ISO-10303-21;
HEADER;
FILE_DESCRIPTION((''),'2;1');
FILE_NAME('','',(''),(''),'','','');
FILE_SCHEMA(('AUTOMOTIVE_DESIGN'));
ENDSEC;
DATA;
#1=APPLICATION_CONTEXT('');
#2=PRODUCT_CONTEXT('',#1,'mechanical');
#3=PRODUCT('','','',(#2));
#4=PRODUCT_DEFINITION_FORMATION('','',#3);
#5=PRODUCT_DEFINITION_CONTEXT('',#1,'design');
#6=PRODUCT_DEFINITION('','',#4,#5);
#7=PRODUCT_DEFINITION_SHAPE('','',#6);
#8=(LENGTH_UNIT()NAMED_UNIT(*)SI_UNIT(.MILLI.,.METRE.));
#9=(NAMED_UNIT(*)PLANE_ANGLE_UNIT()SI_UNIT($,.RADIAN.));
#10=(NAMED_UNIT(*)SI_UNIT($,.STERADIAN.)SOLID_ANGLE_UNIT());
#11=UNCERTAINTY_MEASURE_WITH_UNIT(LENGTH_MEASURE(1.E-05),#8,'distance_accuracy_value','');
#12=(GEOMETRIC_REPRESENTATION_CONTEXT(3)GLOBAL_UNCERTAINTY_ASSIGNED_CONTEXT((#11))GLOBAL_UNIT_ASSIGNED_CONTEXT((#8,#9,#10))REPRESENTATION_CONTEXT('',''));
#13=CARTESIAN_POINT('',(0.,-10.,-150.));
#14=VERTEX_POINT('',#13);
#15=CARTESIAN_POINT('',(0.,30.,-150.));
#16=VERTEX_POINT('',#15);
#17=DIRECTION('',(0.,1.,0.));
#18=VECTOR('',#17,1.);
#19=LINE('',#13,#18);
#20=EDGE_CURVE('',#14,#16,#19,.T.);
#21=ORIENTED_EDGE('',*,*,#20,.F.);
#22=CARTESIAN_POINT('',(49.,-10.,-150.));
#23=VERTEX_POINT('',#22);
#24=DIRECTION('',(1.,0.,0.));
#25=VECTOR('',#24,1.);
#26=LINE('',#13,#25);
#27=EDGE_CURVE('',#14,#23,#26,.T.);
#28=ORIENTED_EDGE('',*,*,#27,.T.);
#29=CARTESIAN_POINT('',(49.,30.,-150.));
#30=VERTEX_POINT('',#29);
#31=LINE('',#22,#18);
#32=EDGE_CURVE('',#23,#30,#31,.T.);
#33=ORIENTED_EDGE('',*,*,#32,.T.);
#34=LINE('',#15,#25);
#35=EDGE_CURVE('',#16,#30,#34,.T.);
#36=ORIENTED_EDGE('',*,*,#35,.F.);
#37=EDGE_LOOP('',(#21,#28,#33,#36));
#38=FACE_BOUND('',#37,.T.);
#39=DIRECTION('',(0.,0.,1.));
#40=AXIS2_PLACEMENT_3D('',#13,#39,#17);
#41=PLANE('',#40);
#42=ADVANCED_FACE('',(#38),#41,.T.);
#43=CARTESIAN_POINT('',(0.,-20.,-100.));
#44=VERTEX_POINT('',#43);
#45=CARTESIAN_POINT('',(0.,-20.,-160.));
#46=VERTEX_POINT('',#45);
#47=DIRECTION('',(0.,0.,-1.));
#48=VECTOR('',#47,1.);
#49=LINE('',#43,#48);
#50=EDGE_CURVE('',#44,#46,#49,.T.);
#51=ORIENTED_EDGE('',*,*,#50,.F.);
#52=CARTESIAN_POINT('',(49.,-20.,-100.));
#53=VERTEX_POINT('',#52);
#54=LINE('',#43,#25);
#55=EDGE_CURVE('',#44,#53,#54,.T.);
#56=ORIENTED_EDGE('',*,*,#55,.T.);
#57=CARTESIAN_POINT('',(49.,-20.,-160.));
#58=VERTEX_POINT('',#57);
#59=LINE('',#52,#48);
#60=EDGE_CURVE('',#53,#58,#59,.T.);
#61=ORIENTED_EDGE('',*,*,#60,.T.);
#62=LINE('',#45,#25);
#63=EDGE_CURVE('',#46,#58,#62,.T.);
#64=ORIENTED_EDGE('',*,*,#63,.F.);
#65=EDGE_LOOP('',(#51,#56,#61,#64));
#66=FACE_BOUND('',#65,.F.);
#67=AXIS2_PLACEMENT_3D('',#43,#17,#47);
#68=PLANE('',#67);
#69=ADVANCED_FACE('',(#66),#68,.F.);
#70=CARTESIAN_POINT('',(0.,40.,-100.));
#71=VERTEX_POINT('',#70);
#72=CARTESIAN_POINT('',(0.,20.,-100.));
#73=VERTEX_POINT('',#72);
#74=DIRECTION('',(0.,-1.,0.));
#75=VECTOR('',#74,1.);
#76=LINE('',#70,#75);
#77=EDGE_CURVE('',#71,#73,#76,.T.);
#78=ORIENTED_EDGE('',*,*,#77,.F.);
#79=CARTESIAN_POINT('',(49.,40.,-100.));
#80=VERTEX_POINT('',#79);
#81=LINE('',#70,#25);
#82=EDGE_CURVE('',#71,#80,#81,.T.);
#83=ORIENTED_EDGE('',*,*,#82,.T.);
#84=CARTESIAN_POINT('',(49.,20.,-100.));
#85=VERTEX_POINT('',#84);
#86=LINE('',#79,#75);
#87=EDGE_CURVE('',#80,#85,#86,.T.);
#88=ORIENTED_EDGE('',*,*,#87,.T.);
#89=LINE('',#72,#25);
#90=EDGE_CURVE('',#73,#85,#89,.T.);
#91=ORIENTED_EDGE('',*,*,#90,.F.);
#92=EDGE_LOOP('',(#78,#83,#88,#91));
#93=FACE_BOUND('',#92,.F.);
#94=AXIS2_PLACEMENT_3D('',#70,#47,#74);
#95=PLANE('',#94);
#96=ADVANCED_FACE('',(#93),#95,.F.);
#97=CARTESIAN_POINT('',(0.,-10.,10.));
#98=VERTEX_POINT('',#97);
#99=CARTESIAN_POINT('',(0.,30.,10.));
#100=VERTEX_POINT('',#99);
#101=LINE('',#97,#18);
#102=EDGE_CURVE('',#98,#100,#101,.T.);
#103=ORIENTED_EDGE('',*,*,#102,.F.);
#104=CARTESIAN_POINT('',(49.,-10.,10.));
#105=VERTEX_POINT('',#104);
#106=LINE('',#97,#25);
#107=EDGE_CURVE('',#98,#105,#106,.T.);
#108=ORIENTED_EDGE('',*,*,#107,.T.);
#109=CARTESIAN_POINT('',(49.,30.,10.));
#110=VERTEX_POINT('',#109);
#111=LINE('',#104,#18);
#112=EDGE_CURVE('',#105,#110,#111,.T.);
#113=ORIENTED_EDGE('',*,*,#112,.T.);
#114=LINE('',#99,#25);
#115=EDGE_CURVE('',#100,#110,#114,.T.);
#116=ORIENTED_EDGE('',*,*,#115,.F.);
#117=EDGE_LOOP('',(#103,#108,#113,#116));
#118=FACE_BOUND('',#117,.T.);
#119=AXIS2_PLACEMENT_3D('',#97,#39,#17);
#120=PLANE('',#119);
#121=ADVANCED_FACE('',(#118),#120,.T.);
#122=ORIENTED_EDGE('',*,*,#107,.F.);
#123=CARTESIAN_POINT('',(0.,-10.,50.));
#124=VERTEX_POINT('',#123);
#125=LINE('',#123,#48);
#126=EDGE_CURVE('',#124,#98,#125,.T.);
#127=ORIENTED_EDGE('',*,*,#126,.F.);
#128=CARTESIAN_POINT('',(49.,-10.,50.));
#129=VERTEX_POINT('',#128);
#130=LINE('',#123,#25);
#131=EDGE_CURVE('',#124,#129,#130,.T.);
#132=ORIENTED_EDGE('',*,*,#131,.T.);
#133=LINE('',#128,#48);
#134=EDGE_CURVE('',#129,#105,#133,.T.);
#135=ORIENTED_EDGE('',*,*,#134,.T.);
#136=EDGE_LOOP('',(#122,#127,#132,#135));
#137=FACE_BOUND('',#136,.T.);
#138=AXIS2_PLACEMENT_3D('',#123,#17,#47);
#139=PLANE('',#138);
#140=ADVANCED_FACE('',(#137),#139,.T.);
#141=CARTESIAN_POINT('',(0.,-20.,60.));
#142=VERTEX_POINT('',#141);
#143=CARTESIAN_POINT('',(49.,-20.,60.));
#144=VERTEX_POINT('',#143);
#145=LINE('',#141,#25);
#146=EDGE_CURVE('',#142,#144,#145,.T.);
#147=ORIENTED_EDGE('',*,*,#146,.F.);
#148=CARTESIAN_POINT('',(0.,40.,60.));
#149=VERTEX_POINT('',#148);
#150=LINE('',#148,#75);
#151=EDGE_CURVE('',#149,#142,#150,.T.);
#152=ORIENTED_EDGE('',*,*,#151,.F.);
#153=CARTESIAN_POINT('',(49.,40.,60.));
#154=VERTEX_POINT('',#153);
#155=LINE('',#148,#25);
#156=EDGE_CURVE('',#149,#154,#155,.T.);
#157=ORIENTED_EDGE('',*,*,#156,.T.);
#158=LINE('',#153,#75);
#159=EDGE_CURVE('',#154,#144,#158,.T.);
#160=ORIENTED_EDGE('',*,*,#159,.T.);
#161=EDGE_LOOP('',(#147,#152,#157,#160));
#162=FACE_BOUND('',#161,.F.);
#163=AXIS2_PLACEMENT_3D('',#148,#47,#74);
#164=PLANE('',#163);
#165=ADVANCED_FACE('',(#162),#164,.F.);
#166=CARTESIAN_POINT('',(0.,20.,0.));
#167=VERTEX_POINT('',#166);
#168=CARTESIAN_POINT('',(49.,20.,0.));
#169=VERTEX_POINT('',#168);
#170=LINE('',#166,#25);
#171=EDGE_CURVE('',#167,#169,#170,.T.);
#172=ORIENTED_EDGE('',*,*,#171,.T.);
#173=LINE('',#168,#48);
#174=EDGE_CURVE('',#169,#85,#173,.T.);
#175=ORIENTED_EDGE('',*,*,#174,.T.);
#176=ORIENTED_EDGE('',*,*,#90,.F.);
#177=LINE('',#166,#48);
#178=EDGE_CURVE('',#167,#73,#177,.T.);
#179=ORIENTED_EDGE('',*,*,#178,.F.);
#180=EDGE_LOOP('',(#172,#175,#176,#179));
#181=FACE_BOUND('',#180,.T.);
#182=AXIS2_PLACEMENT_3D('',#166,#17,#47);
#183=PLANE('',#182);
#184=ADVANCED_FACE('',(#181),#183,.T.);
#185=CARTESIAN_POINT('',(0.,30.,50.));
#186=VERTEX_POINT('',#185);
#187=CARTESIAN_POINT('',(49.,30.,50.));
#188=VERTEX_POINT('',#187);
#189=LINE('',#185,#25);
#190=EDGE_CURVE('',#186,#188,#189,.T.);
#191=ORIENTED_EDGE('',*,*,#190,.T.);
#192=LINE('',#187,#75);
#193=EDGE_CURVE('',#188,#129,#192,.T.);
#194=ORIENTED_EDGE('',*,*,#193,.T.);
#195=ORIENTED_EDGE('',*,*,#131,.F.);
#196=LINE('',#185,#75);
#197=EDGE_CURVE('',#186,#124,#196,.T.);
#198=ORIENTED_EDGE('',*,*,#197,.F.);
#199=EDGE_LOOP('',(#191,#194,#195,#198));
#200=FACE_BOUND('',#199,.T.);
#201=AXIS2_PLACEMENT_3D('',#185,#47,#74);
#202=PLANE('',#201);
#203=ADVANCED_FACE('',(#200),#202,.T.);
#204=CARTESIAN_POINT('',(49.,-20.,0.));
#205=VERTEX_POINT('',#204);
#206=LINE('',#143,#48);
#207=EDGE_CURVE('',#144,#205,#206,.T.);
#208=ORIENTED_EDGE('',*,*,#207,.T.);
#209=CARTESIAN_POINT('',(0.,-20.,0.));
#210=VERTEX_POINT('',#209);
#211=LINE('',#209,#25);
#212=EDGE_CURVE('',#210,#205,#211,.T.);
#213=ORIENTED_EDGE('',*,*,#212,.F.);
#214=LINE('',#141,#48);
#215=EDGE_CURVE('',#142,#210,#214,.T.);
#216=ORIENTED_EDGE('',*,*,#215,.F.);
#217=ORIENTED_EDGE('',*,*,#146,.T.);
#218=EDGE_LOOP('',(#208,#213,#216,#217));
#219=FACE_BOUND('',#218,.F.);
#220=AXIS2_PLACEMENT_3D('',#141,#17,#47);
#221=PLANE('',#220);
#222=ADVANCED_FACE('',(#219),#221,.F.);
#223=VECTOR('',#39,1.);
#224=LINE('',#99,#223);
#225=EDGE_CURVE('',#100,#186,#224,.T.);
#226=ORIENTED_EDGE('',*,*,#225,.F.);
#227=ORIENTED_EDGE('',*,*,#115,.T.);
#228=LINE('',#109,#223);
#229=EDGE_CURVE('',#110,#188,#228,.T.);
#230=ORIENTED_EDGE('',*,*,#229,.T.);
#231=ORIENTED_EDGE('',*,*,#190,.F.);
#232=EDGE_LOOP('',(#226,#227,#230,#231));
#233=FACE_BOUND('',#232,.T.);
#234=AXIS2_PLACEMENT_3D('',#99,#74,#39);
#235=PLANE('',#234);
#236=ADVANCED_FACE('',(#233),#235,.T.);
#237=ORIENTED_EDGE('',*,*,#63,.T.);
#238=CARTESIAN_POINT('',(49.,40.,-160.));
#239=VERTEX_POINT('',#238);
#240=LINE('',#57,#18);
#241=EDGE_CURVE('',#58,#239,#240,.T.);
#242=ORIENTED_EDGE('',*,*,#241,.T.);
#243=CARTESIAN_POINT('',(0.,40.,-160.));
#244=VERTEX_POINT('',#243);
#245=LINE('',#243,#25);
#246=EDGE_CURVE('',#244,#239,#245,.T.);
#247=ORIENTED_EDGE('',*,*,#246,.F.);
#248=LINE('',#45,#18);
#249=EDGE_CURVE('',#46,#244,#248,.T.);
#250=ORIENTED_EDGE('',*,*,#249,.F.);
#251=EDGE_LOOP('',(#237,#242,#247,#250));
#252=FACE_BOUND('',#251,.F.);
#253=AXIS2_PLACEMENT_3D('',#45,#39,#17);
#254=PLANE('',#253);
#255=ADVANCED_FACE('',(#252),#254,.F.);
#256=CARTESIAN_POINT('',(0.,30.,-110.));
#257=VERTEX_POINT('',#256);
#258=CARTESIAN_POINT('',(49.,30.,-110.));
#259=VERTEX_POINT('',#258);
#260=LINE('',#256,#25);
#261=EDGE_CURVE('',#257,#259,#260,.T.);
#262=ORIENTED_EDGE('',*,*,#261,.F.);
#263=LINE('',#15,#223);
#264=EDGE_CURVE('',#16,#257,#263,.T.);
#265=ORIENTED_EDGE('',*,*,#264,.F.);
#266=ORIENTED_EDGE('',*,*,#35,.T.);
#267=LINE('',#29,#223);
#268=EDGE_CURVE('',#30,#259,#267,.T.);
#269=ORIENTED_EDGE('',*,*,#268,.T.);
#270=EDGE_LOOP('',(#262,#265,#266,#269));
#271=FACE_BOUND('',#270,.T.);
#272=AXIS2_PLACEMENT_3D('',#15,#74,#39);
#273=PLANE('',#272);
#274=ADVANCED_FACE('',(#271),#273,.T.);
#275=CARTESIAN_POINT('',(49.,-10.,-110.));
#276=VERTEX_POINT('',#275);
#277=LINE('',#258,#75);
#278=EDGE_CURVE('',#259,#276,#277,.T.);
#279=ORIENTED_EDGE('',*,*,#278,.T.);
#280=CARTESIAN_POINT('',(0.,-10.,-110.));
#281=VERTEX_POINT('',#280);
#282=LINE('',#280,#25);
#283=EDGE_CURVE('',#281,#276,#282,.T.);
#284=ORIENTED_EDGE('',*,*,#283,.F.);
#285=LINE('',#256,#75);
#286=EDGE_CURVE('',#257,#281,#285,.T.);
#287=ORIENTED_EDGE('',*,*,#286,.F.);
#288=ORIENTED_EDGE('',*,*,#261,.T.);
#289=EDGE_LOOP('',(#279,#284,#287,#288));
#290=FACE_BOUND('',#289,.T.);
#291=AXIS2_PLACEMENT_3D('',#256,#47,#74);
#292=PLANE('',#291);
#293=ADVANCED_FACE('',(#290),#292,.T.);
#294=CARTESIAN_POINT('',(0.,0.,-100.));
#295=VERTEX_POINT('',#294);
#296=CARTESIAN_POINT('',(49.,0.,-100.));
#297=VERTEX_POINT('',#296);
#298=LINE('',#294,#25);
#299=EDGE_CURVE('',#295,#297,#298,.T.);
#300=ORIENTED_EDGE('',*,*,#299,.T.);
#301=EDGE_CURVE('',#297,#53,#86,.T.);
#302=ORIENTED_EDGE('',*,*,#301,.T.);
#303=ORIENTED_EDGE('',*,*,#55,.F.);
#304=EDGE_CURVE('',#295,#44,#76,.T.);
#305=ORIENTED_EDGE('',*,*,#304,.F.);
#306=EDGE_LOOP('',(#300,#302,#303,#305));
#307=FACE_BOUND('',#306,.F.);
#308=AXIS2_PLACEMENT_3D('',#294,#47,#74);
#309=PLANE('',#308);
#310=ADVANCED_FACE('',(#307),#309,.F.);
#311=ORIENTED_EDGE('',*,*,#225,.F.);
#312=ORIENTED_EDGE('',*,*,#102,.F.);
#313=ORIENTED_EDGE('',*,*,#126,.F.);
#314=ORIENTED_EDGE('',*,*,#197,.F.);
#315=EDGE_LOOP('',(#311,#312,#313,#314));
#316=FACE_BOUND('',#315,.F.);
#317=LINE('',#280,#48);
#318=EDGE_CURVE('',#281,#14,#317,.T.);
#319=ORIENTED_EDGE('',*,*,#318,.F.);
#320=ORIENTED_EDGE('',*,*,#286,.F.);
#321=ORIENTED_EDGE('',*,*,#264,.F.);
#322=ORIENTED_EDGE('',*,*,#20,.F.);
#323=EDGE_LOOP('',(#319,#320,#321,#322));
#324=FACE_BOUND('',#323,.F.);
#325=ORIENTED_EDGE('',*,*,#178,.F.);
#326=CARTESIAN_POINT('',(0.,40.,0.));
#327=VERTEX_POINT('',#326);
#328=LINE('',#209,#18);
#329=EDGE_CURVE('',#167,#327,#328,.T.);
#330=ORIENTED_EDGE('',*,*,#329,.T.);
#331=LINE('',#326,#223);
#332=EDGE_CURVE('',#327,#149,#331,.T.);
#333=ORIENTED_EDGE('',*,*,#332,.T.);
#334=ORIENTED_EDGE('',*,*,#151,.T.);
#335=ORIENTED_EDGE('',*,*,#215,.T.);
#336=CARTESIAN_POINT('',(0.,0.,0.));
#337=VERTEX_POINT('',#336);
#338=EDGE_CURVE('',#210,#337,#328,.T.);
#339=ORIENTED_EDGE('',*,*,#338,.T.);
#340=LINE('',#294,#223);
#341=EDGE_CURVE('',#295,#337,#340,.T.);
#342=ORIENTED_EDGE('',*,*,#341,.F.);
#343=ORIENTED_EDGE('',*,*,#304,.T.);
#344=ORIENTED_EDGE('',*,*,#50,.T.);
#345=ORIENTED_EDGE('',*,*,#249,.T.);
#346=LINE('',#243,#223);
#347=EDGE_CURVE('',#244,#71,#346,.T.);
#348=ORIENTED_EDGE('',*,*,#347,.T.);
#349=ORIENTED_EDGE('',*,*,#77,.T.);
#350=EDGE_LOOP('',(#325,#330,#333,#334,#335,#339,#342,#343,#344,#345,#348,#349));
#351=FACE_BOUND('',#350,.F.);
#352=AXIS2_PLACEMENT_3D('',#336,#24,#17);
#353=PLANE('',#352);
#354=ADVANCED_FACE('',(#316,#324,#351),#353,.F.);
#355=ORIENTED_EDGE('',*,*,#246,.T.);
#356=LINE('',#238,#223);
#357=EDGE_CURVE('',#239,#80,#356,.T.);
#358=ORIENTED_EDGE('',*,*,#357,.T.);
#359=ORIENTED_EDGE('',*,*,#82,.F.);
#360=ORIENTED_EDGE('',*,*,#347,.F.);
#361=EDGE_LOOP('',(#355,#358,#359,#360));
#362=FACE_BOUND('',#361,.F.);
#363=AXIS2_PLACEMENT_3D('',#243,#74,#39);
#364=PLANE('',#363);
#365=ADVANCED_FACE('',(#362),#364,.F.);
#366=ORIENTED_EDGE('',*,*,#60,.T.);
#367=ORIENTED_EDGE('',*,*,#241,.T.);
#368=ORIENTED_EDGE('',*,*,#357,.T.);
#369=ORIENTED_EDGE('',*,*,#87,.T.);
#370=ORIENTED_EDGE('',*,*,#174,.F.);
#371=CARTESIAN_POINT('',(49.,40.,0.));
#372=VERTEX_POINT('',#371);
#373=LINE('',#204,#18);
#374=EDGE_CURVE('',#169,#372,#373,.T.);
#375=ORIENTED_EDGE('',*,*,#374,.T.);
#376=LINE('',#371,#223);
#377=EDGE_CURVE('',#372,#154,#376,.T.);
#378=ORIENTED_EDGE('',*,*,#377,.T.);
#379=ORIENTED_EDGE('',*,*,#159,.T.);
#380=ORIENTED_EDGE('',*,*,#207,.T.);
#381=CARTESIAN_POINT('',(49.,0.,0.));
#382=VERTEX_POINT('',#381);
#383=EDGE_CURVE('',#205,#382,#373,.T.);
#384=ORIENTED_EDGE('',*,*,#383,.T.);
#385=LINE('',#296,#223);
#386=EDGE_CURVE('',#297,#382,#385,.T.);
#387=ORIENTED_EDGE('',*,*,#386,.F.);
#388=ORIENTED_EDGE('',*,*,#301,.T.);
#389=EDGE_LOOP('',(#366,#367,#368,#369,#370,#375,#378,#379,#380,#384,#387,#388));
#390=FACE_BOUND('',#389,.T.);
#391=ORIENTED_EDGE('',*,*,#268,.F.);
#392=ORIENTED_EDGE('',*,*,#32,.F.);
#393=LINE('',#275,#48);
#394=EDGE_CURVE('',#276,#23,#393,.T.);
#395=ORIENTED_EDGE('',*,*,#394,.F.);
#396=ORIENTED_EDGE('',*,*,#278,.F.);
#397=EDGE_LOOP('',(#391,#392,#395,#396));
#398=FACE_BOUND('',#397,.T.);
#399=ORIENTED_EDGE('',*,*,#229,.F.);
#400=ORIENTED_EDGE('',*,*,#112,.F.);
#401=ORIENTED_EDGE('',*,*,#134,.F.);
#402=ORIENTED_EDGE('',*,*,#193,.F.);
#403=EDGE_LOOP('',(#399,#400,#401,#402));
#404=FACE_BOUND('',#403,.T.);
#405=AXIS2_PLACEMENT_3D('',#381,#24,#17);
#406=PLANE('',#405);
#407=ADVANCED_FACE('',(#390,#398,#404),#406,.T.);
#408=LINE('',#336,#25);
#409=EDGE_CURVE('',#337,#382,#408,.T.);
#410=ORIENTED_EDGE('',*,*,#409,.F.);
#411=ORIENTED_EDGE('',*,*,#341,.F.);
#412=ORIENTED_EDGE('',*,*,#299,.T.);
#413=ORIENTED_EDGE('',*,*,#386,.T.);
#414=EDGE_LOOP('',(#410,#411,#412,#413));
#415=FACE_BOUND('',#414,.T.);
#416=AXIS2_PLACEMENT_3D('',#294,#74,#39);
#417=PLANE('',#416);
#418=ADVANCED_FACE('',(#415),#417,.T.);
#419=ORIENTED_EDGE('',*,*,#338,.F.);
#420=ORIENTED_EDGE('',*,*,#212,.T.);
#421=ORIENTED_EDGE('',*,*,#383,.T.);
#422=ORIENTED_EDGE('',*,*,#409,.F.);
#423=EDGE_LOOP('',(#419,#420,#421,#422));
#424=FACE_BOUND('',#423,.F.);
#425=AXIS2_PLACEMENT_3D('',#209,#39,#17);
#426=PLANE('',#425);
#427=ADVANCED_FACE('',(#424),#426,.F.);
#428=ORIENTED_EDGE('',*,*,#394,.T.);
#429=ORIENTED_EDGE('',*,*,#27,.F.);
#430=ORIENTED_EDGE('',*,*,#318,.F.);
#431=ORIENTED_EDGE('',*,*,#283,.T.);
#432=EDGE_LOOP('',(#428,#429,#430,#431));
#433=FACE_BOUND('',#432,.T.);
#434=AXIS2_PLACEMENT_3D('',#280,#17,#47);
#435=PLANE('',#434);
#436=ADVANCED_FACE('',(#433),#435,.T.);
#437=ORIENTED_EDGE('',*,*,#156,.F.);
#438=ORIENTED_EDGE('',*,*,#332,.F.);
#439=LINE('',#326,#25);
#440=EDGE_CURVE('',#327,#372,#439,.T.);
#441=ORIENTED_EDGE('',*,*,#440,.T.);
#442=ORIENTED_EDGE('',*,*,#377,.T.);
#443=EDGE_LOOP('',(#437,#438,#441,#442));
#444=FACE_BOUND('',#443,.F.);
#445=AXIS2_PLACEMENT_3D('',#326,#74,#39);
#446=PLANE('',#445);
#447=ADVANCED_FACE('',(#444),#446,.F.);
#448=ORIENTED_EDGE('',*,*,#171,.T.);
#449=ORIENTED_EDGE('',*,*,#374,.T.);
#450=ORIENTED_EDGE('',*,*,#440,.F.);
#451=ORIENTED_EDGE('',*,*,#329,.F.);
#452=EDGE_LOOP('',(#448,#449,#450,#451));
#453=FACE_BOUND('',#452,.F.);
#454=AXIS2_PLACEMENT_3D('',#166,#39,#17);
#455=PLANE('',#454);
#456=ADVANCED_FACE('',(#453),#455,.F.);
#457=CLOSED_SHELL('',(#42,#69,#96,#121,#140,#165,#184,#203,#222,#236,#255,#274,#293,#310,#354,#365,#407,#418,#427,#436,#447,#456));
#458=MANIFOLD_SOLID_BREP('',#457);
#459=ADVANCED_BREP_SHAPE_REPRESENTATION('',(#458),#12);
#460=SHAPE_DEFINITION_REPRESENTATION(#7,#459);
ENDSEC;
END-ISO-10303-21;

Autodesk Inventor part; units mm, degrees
ref_plane "YZ Plane" through (0, 0, 0) normal (1, 0, 0) x (0, 1, 0)
ref_plane "XZ Plane" through (0, 0, 0) normal (0, 1, 0) x (-1, 0, 0)
ref_plane "XY Plane" through (0, 0, 0) normal (0, 0, 1) x (1, 0, 0)
sketch "Sketch1" plane through (0, 0, 0) normal (1, 0, 0) x (0, 1, 0)
  point P0 (0, 0)
sketch "Sketch2" plane through (0, 0, 0) normal (1, 0, 0) x (0, 1, 0)
  line L0 (0, 0) -> (20, 0)
  line L1 (20, 0) -> (20, -100)
  line L2 (20, -100) -> (0, -100)
  line L3 (0, -100) -> (0, 0)
  line L4 (40, 60) -> (-20, 60)
  line L5 (-20, 60) -> (-20, 0)
  line L6 (-20, 0) -> (40, 0)
  line L7 (40, 0) -> (40, 60)
  line L8 (40, -100) -> (-20, -100)
  line L9 (-20, -100) -> (-20, -160)
  line L10 (-20, -160) -> (40, -160)
  line L11 (40, -160) -> (40, -100)
  line L12 (30, 50) -> (-10, 50)
  line L13 (-10, 50) -> (-10, 10)
  line L14 (-10, 10) -> (30, 10)
  line L15 (30, 10) -> (30, 50)
  line L16 (30, -110) -> (-10, -110)
  line L17 (-10, -110) -> (-10, -150)
  line L18 (-10, -150) -> (30, -150)
  line L19 (30, -150) -> (30, -110)
  dimension "d0" = 100
  dimension "d1" = 20
  dimension "d2" = 60
  dimension "d3" = 60
  dimension "d4" = 0
  dimension "d5" = 20
  dimension "d6" = 60
  dimension "d7" = 40
  dimension "d8" = 40
  dimension "d9" = 10
  dimension "d10" = 10
  dimension "d11" = 40
  dimension "d12" = 40
  dimension "d13" = 10
  dimension "d14" = 10
extrude "Extrusion1" add sketch "Sketch2" along normal blind 49
properties part number "extenstion"
